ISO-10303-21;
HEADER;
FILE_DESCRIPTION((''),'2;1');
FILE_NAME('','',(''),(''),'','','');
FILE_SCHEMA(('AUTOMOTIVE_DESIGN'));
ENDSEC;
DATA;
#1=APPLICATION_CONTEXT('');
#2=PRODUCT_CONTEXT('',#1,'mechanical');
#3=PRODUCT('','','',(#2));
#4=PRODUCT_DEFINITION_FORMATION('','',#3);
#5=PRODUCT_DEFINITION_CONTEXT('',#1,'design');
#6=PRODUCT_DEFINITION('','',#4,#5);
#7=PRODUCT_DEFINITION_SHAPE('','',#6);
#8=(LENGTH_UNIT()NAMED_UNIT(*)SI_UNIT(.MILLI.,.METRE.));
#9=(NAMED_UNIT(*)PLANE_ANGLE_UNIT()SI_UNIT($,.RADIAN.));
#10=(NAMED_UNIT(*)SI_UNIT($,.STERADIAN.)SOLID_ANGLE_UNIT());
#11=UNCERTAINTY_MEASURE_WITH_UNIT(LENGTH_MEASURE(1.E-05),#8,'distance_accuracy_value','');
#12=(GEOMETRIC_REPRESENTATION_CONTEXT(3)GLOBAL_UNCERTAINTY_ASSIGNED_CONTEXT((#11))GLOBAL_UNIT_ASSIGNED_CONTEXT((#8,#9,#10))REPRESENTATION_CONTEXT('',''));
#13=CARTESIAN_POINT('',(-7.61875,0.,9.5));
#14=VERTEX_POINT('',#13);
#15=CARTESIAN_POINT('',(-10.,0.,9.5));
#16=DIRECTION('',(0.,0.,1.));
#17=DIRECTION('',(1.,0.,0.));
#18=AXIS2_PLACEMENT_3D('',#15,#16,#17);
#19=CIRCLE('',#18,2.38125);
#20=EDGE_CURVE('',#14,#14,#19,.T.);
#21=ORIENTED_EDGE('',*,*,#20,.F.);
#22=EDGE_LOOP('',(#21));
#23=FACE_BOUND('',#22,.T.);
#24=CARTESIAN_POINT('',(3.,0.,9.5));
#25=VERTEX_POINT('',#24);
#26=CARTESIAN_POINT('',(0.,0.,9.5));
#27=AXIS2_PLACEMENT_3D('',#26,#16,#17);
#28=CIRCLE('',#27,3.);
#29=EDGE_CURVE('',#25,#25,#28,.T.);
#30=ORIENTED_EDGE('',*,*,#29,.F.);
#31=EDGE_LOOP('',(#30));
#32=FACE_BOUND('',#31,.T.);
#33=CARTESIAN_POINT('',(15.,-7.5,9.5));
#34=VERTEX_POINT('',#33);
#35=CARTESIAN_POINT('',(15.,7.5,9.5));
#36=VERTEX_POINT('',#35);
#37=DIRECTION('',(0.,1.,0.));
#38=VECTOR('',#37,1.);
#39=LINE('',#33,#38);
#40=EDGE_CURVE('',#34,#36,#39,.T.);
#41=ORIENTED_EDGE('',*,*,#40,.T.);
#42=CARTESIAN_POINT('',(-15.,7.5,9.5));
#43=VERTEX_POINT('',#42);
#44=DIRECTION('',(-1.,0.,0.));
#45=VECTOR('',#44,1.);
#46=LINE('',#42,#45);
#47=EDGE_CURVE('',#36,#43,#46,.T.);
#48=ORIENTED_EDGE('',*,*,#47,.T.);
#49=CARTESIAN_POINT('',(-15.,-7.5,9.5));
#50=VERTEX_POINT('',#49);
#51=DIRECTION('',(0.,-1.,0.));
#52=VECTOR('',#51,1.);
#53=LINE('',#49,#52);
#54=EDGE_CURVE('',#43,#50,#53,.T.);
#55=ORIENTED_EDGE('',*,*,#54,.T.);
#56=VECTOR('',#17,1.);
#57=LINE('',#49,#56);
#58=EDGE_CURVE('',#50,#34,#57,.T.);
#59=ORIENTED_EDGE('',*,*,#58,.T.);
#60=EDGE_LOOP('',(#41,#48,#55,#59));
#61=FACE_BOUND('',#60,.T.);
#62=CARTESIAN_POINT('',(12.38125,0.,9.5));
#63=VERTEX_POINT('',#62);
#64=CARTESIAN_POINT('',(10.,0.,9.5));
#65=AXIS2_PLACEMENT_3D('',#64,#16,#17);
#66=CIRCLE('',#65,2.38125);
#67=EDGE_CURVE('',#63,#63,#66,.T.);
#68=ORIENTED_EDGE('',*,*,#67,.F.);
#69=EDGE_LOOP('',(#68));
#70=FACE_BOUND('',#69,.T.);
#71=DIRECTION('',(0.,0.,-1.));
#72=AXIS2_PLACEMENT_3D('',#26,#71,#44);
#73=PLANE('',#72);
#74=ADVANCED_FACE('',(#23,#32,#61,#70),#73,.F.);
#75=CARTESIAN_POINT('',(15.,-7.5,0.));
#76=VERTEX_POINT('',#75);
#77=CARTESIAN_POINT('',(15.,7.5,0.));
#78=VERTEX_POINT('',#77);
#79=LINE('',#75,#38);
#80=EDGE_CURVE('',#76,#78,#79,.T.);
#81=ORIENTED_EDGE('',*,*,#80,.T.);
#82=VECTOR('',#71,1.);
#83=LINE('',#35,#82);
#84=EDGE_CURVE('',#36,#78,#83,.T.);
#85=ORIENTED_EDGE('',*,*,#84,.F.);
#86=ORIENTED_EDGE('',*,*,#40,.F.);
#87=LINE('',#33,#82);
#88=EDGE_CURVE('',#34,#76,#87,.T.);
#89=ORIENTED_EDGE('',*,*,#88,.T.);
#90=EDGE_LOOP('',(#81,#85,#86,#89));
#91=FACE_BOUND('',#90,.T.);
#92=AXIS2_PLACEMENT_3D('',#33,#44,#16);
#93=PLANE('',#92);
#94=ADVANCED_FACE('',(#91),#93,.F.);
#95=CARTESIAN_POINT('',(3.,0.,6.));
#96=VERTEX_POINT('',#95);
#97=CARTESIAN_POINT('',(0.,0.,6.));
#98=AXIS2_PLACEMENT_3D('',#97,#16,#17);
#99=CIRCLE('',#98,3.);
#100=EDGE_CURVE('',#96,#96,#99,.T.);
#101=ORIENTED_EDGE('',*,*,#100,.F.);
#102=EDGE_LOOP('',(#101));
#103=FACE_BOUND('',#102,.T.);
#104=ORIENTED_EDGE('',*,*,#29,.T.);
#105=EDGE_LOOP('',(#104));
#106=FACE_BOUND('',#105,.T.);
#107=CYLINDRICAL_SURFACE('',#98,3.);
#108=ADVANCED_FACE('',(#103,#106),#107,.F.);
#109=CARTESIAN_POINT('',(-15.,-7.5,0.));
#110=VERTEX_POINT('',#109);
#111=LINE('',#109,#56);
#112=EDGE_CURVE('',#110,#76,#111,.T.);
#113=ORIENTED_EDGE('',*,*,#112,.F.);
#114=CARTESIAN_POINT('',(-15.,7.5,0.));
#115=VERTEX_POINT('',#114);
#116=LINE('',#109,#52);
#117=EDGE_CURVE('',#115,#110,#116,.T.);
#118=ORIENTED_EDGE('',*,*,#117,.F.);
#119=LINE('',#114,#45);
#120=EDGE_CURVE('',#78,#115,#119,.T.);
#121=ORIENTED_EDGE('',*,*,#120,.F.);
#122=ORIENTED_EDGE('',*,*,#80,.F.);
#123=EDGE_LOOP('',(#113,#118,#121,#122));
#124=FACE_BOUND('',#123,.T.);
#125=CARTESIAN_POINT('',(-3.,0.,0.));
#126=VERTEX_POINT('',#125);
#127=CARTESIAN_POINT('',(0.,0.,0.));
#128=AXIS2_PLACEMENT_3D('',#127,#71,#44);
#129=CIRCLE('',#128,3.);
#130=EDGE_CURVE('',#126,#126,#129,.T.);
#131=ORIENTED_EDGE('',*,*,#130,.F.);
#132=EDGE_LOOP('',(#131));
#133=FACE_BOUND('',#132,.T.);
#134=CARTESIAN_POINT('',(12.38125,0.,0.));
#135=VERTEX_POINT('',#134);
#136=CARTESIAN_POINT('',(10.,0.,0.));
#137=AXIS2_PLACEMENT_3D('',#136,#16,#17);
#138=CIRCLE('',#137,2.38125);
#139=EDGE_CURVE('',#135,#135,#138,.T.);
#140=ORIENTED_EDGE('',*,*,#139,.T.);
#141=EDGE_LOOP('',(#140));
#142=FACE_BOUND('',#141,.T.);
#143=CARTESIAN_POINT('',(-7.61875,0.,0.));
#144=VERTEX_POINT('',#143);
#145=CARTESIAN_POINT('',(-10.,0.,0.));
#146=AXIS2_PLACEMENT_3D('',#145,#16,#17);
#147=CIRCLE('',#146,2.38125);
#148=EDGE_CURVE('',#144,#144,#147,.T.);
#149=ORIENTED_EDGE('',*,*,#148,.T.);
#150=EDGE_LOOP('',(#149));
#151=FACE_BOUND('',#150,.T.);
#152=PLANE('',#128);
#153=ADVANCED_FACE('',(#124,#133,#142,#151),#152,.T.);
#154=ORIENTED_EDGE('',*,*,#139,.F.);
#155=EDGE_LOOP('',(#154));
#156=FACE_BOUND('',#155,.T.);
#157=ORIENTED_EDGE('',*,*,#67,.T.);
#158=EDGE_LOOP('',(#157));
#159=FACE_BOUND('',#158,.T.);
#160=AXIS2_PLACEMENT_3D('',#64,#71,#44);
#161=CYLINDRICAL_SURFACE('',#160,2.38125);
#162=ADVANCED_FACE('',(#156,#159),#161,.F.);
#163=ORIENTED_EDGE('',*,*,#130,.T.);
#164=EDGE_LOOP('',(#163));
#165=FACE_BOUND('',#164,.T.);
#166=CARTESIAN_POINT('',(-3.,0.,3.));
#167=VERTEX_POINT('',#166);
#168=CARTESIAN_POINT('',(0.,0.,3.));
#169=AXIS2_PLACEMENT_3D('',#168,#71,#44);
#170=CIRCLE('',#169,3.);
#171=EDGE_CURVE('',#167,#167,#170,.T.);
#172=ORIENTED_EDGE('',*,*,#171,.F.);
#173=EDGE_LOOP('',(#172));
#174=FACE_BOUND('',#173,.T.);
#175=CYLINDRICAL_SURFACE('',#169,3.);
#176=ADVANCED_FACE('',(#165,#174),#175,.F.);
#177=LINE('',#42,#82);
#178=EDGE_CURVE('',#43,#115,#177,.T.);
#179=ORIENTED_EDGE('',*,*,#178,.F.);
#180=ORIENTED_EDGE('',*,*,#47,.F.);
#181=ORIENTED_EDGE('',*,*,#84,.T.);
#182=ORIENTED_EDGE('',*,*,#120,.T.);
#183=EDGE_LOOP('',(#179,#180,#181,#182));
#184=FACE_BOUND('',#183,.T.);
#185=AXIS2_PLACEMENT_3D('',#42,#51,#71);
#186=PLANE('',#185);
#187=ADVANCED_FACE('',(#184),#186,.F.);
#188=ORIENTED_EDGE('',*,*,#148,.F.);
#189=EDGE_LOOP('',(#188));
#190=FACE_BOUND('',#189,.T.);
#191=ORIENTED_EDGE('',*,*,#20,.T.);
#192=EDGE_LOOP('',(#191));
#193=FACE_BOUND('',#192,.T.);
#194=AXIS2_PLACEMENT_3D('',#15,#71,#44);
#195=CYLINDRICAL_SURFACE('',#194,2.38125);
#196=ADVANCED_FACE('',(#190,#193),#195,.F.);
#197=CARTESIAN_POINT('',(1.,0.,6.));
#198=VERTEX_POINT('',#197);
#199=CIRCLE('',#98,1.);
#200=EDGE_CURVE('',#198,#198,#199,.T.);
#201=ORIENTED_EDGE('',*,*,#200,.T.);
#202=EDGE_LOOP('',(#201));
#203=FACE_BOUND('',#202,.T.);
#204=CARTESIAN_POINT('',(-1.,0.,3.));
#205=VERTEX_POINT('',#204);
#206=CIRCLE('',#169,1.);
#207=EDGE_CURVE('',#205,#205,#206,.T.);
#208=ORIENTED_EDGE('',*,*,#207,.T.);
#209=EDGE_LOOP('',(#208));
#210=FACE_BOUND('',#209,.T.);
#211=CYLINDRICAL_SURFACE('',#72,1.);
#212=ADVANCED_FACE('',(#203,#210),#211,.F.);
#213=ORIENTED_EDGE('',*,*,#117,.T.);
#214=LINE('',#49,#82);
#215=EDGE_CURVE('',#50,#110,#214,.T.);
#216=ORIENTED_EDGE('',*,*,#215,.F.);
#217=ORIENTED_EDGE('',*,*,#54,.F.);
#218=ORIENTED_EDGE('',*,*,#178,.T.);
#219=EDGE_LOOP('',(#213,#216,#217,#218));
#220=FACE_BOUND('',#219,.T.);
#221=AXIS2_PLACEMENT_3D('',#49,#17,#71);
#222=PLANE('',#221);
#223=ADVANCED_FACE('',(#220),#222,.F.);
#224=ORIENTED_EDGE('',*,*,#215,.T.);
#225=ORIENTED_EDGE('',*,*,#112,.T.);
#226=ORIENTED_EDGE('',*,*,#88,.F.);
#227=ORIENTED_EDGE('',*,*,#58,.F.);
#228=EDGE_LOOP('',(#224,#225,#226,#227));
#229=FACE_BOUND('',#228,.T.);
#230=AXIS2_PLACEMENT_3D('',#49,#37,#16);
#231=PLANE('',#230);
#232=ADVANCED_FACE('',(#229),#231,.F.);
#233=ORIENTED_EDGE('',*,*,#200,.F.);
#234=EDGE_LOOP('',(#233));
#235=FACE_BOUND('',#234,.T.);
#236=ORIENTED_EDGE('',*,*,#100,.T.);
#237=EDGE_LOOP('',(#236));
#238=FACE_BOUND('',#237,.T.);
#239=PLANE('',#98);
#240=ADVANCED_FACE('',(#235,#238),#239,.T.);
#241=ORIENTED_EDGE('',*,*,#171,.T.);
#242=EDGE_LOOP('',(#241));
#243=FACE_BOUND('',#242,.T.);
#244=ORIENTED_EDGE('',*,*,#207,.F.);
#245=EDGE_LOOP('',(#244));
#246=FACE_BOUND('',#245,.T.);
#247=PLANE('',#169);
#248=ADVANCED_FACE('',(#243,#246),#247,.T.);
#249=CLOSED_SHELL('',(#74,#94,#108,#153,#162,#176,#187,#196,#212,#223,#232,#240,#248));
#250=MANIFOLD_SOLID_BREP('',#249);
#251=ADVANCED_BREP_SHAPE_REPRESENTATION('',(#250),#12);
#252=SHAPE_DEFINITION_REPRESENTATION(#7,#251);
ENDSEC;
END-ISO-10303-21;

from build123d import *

# Parameters (mm, degrees)
SKETCH1_W           = 30
SKETCH1_H           = 15
SKETCH1_R           = 1
SKETCH1_R_2         = 2.38125
BOSS_EXTRUDE1_DEPTH = 9.5
SKETCH2_R           = 3
CUT_EXTRUDE1_DEPTH  = 3.5
CUT_EXTRUDE2_START  = -3
SKETCH3_R           = 3
CUT_EXTRUDE2_DEPTH  = 3


with BuildPart() as part:
    # Sketch1 → Boss-Extrude1 (new body)
    with BuildSketch(Plane.XY):
        Rectangle(SKETCH1_W, SKETCH1_H)
        Circle(SKETCH1_R, mode=Mode.SUBTRACT)
        with Locations((10, 0)):
            Circle(SKETCH1_R_2, mode=Mode.SUBTRACT)
        with Locations((-10, 0)):
            Circle(SKETCH1_R_2, mode=Mode.SUBTRACT)
    extrude(amount=BOSS_EXTRUDE1_DEPTH)

    # Sketch2 → Cut-Extrude1 (cut)
    with BuildSketch(Plane.XY.offset(9.5)):
        Circle(SKETCH2_R)
    extrude(amount=-CUT_EXTRUDE1_DEPTH, mode=Mode.SUBTRACT)

    # Sketch3 → Cut-Extrude2 (cut)
    with BuildSketch(Plane(origin=(0, 0, 0), x_dir=(-1, 0, 0), z_dir=(0, 0, -1)).offset(CUT_EXTRUDE2_START)):
        with Locations(Location((0, 0, 0), (0, 0, 180))):
            Circle(SKETCH3_R)
    extrude(amount=CUT_EXTRUDE2_DEPTH, mode=Mode.SUBTRACT)


solid = part.part
